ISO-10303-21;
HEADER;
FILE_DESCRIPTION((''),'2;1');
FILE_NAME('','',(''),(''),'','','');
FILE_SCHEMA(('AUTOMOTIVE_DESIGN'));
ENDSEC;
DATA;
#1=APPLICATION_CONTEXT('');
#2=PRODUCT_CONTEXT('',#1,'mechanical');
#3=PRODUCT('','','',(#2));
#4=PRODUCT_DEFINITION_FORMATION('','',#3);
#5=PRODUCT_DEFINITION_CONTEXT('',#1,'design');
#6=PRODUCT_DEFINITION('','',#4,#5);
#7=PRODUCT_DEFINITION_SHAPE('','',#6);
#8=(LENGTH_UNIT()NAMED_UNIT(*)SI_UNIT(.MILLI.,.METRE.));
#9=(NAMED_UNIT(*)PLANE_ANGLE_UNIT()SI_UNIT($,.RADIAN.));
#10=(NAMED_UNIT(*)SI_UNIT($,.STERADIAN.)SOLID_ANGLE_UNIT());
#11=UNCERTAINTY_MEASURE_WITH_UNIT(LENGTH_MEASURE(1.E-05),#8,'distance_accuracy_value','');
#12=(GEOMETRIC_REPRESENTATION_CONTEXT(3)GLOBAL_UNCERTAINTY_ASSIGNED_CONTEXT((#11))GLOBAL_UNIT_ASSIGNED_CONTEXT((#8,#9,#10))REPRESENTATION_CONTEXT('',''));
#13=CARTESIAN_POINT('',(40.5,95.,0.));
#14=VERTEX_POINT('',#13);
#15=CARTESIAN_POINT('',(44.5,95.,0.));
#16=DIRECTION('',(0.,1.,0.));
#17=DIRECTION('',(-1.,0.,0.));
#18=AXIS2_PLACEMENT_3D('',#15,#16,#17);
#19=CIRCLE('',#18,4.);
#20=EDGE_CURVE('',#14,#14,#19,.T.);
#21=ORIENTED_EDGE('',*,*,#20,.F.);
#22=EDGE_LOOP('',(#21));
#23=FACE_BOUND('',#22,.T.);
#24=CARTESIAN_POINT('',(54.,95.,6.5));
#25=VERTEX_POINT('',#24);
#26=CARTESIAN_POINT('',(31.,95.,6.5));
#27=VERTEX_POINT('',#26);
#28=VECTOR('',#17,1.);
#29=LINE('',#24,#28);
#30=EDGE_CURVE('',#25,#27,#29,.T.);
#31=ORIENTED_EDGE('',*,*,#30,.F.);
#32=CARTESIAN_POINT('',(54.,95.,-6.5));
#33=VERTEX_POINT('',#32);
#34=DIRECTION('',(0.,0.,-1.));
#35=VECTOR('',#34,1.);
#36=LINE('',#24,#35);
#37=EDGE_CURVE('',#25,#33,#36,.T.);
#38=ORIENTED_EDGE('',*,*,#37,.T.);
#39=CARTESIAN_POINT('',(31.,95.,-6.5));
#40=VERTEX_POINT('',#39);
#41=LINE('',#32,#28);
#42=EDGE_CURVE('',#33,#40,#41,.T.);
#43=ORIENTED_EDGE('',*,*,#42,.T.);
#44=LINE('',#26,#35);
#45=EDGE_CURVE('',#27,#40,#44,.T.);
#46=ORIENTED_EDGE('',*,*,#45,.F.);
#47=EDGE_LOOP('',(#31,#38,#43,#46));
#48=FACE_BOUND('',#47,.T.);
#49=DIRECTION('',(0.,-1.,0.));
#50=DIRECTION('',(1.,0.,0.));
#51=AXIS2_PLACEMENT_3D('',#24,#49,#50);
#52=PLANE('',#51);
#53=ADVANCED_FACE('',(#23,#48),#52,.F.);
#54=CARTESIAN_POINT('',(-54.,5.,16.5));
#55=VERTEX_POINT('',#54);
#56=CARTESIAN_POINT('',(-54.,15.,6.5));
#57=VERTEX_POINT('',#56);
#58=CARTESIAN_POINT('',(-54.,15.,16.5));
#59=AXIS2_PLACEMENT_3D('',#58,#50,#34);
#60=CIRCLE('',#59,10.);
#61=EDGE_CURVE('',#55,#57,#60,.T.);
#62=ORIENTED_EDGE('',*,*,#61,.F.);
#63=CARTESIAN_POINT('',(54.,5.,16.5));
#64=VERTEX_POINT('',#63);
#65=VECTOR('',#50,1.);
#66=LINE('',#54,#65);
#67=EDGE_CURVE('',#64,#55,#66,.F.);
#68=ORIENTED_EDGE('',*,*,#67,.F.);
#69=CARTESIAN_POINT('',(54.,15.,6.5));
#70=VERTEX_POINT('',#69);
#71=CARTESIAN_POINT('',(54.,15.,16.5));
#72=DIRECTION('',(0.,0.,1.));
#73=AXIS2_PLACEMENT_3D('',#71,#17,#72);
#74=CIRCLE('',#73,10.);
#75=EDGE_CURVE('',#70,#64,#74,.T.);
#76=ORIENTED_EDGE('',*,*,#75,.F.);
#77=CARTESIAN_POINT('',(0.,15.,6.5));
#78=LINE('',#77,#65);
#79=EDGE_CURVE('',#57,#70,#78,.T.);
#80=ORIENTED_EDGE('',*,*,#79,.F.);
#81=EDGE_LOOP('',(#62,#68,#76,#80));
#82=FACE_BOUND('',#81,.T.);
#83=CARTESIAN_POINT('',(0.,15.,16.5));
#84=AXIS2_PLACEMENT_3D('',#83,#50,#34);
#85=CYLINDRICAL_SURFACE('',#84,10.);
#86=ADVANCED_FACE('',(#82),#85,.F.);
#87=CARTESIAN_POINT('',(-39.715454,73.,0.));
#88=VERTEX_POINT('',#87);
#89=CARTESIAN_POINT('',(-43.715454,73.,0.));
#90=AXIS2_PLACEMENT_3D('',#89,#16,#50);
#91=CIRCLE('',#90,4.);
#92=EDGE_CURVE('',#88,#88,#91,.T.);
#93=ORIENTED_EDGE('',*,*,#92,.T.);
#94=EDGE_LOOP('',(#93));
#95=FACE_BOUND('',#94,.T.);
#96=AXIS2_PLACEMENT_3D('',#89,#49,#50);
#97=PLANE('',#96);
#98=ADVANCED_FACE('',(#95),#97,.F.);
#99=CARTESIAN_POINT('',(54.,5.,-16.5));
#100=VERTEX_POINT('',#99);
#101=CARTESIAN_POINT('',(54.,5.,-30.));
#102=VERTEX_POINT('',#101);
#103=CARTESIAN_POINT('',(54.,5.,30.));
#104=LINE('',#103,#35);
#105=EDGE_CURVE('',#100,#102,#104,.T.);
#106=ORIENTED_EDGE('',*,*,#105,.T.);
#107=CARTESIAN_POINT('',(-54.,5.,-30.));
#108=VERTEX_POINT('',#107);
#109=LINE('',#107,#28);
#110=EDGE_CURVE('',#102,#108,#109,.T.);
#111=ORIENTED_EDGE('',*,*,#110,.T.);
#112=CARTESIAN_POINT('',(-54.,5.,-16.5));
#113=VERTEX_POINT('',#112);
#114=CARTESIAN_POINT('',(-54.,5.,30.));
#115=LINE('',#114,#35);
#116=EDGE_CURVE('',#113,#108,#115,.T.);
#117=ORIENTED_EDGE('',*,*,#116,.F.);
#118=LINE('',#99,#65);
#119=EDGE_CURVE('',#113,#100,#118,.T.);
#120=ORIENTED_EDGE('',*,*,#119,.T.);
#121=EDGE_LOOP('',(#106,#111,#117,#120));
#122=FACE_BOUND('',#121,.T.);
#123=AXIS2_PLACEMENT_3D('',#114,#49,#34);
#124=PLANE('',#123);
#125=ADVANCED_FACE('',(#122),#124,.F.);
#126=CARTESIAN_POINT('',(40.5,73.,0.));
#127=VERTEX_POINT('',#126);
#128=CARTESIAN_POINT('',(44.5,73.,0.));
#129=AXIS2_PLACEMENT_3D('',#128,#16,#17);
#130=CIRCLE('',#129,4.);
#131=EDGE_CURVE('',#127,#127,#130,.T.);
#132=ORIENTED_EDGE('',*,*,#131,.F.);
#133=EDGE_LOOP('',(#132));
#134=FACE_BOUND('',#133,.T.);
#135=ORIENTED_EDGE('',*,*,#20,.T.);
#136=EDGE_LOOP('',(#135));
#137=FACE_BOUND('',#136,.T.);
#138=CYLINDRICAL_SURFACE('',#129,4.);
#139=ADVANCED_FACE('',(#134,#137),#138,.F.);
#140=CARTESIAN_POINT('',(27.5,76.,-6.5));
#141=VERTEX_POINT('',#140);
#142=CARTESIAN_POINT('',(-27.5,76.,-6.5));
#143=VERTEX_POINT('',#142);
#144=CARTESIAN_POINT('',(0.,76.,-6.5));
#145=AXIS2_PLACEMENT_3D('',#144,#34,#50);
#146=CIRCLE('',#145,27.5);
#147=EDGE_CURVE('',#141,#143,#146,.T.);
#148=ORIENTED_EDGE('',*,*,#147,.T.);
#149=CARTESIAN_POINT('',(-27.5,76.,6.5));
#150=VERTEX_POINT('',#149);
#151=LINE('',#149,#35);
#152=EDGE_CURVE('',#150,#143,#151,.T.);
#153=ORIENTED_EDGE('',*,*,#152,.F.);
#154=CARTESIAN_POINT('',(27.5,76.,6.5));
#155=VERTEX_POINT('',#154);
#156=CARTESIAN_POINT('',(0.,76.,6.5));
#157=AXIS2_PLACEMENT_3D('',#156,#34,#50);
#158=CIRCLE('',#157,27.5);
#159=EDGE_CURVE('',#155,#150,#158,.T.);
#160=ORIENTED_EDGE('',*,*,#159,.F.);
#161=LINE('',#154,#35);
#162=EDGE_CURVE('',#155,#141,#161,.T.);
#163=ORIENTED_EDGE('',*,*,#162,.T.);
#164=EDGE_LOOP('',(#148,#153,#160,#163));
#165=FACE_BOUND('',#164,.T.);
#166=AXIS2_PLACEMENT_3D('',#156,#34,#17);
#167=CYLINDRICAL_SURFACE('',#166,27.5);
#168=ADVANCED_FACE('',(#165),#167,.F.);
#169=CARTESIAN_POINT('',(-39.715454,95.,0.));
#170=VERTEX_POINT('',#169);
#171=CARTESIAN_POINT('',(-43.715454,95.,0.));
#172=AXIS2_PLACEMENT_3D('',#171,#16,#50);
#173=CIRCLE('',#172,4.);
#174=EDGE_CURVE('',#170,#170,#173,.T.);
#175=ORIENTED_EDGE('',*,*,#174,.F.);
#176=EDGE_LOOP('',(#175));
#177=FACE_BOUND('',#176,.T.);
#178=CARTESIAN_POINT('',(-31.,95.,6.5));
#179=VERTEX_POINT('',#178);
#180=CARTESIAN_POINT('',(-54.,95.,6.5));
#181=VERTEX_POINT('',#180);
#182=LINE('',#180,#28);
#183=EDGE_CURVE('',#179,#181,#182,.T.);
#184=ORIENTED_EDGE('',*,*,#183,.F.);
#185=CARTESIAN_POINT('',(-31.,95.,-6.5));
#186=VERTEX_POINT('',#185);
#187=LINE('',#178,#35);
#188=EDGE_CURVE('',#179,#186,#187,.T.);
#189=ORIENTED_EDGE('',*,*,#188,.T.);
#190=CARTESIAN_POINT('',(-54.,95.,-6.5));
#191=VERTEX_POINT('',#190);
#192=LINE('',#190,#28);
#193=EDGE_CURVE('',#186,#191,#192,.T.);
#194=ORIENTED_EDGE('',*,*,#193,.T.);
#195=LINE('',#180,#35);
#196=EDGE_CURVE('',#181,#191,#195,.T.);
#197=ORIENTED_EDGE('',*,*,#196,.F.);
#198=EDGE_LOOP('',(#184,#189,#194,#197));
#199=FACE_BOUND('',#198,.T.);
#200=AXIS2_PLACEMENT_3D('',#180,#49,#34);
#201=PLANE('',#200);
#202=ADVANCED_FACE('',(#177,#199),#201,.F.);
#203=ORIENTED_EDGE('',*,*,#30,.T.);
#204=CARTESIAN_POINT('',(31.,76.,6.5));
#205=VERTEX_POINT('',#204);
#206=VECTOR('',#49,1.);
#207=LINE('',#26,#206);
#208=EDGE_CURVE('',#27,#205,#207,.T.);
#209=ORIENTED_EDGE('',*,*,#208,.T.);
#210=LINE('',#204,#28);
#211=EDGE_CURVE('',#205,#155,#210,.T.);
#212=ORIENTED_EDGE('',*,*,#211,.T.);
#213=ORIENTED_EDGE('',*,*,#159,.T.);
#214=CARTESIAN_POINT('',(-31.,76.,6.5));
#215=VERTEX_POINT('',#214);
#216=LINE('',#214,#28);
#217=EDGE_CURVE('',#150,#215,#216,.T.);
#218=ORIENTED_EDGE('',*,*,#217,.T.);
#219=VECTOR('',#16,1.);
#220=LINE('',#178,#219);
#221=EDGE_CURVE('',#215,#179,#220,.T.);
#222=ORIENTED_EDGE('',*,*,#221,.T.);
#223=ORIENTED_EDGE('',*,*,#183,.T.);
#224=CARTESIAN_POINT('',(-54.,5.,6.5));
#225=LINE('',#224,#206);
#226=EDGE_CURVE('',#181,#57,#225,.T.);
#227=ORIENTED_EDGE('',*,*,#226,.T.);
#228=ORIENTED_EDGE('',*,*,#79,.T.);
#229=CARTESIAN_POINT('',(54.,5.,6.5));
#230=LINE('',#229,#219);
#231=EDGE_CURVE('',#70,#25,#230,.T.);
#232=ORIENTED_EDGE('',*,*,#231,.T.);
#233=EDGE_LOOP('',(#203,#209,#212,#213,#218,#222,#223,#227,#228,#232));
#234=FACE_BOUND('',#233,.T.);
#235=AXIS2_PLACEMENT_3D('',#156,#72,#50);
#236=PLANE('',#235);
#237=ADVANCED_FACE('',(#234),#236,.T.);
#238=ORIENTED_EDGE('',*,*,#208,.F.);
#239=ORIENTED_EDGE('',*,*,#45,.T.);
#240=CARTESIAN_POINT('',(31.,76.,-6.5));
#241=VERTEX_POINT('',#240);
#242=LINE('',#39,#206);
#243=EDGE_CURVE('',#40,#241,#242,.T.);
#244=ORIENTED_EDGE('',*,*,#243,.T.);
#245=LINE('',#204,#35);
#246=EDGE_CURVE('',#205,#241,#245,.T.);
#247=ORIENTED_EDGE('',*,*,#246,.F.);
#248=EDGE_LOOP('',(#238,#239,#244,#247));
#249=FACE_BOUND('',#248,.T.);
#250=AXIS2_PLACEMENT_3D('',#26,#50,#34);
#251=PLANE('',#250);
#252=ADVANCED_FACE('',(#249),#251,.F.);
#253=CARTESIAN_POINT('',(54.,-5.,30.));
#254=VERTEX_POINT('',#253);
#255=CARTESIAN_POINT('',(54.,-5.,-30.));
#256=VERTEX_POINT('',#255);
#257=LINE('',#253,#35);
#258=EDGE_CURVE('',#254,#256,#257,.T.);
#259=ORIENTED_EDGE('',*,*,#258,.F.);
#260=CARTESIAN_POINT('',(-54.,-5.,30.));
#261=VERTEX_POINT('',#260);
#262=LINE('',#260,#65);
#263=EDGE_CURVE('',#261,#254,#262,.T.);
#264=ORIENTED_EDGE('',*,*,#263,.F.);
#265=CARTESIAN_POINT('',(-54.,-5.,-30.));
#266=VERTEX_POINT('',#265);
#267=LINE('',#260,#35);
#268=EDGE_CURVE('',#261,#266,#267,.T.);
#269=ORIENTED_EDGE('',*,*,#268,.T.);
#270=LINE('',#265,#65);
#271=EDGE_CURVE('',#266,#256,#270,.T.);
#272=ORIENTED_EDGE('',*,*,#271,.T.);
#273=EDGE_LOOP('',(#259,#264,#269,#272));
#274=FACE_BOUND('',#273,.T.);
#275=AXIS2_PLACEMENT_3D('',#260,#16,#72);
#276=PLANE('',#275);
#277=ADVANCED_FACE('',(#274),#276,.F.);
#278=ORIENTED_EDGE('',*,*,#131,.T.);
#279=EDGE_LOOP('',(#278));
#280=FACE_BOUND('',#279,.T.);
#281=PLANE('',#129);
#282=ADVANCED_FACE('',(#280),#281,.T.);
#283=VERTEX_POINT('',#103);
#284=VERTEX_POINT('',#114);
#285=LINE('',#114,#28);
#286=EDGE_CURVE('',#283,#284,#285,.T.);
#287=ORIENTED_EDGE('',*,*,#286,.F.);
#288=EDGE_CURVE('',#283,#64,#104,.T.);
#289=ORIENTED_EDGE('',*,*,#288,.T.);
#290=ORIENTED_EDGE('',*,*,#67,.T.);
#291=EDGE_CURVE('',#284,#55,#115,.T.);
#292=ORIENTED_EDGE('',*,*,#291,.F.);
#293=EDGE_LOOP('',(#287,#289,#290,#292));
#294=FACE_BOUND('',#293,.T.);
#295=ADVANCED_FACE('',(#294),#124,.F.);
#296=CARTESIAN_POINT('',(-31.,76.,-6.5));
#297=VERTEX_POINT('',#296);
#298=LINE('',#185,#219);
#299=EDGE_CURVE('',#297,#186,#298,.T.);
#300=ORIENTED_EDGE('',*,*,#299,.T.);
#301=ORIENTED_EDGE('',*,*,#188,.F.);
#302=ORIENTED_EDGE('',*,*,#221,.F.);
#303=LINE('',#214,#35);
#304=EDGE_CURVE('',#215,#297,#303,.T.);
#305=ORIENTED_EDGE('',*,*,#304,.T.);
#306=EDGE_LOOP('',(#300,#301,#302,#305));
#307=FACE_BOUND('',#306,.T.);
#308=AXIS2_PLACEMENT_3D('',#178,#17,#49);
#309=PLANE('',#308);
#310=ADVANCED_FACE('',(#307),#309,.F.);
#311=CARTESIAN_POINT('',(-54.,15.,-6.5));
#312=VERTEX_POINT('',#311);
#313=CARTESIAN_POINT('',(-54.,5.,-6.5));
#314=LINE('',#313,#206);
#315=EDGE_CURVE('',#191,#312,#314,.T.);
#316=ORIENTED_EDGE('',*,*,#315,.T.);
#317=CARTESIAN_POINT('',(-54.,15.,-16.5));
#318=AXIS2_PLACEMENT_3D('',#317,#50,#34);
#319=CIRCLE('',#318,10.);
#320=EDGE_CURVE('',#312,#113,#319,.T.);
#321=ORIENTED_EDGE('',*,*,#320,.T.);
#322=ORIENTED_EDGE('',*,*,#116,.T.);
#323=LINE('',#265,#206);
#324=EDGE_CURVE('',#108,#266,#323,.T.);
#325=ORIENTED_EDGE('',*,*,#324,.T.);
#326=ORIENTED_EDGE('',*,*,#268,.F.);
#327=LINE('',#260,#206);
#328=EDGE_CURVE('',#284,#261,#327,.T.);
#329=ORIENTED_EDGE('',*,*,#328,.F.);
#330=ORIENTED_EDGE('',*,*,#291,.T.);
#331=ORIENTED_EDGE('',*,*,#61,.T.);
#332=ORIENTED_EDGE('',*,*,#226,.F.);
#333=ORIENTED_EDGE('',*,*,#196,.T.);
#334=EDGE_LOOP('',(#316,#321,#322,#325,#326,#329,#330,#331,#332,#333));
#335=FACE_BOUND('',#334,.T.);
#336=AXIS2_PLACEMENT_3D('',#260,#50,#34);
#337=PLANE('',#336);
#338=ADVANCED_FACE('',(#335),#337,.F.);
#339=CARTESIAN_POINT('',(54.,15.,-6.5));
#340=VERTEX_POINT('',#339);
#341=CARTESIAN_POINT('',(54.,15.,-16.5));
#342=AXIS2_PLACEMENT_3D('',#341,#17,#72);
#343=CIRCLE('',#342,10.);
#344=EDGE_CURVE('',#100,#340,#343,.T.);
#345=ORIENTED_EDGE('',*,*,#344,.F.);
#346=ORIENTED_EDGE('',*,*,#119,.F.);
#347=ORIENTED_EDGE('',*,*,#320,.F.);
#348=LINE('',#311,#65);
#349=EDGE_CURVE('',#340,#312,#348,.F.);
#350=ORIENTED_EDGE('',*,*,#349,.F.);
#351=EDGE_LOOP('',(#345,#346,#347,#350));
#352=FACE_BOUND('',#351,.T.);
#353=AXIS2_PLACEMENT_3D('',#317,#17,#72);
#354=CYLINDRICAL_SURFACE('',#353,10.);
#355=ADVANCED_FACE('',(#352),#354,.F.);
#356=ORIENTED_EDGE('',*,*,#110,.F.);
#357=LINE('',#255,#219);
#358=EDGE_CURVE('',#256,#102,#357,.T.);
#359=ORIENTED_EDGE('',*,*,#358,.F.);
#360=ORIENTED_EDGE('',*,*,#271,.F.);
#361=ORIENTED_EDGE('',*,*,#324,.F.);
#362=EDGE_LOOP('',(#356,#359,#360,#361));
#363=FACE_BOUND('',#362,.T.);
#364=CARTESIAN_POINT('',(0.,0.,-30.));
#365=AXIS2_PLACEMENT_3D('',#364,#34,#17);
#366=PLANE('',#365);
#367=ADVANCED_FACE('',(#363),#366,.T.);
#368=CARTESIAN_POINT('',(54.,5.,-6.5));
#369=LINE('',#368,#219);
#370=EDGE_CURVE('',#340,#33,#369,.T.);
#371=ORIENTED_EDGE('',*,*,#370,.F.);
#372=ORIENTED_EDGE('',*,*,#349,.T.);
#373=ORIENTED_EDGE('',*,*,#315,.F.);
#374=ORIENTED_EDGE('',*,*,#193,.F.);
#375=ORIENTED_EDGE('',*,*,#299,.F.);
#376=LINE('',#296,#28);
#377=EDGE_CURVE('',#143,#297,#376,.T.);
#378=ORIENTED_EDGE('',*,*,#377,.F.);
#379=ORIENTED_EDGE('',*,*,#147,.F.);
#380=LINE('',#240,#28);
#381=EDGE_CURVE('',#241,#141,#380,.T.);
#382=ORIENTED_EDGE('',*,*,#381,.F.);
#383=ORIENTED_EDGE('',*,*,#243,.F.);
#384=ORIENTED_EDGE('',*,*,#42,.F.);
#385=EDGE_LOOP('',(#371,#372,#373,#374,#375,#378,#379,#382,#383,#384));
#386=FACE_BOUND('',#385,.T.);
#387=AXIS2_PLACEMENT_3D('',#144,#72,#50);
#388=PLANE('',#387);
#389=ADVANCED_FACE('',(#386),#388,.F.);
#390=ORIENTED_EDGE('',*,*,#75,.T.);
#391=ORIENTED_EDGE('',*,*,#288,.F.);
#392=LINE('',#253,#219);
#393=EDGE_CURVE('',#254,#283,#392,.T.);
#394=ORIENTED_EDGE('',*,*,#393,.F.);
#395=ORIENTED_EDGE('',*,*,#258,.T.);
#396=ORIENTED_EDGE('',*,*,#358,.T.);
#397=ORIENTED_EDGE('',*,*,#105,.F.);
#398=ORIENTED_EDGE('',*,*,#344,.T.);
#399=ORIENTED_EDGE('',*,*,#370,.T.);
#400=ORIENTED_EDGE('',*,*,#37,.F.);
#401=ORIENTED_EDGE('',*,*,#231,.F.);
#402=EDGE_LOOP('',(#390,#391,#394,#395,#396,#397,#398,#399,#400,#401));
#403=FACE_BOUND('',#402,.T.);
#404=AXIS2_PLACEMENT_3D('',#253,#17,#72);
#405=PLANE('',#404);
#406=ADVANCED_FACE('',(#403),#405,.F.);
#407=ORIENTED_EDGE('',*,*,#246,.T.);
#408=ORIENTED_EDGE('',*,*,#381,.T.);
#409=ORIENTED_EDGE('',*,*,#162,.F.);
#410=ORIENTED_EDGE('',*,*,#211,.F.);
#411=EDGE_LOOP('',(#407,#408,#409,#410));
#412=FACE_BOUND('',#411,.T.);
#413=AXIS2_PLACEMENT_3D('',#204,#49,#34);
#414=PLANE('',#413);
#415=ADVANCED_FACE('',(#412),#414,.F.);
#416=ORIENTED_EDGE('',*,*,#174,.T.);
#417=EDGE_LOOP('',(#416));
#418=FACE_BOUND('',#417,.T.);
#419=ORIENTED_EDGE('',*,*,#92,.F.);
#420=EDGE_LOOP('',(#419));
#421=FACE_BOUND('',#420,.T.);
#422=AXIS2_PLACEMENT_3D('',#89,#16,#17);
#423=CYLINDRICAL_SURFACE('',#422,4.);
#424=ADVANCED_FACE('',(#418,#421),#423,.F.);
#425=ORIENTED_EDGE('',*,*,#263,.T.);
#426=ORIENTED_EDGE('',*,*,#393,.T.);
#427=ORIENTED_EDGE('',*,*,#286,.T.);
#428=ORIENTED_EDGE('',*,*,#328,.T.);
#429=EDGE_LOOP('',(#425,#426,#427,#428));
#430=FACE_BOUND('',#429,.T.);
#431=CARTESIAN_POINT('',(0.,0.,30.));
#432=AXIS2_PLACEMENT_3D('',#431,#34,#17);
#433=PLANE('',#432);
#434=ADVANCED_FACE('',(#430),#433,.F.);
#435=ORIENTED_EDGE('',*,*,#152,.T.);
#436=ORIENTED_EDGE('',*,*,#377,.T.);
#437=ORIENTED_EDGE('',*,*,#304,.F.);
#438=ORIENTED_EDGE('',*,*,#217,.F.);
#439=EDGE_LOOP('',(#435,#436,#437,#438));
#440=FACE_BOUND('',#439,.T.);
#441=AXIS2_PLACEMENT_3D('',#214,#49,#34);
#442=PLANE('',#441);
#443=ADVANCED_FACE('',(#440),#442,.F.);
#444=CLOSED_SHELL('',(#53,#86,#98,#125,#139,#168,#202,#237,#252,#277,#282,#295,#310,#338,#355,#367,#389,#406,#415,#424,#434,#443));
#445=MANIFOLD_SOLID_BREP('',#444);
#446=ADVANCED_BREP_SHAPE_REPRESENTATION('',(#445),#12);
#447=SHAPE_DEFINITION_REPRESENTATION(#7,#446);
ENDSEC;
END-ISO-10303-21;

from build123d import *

# Parameters (mm, degrees)
SKETCH1_W           = 108
SKETCH1_H           = 10
BOSS_EXTRUDE1_DEPTH = 30
BOSS_EXTRUDE2_DEPTH = 6.5
SKETCH3_R           = 4
CUT_EXTRUDE1_DEPTH  = 22
FILLET1_R           = 10


with BuildPart() as part:
    # Sketch1 → Boss-Extrude1 (new, symmetric)
    with BuildSketch(Plane.XY):
        Rectangle(SKETCH1_W, SKETCH1_H)
    extrude(amount=BOSS_EXTRUDE1_DEPTH, both=True)

    # Sketch2 → Boss-Extrude2 (add, symmetric)
    with BuildSketch(Plane.XY):
        with BuildLine():
            Line((-54, 5), (-54, 95))
            Line((-54, 95), (-31, 95))
            Line((-31, 95), (-31, 76))
            Line((-31, 76), (-27.5, 76))
            ThreePointArc((-27.5, 76), (0, 48.5), (27.5, 76))
            Line((27.5, 76), (31, 76))
            Line((31, 76), (31, 95))
            Line((31, 95), (54, 95))
            Line((54, 95), (54, 5))
            Line((54, 5), (-54, 5))
        make_face()
    extrude(amount=BOSS_EXTRUDE2_DEPTH, both=True)

    # Sketch3 → Cut-Extrude1 (cut)
    with BuildSketch(Plane(origin=(0, 95, 0), x_dir=(1, 0, 0), z_dir=(0, 1, 0))):
        with Locations(Location((44.5, 0, 0), (0, 0, 180))):
            Circle(SKETCH3_R)
        with Locations((-43.715454096, 0)):
            Circle(SKETCH3_R)
    extrude(amount=-CUT_EXTRUDE1_DEPTH, mode=Mode.SUBTRACT)

    # Fillet1
    fillet1_edges = [part.edges().sort_by_distance(p)[0] for p in [
        (0, 5, -6.5),
        (0, 5, 6.5),
    ]]
    fillet(fillet1_edges, radius=FILLET1_R)


solid = part.part
